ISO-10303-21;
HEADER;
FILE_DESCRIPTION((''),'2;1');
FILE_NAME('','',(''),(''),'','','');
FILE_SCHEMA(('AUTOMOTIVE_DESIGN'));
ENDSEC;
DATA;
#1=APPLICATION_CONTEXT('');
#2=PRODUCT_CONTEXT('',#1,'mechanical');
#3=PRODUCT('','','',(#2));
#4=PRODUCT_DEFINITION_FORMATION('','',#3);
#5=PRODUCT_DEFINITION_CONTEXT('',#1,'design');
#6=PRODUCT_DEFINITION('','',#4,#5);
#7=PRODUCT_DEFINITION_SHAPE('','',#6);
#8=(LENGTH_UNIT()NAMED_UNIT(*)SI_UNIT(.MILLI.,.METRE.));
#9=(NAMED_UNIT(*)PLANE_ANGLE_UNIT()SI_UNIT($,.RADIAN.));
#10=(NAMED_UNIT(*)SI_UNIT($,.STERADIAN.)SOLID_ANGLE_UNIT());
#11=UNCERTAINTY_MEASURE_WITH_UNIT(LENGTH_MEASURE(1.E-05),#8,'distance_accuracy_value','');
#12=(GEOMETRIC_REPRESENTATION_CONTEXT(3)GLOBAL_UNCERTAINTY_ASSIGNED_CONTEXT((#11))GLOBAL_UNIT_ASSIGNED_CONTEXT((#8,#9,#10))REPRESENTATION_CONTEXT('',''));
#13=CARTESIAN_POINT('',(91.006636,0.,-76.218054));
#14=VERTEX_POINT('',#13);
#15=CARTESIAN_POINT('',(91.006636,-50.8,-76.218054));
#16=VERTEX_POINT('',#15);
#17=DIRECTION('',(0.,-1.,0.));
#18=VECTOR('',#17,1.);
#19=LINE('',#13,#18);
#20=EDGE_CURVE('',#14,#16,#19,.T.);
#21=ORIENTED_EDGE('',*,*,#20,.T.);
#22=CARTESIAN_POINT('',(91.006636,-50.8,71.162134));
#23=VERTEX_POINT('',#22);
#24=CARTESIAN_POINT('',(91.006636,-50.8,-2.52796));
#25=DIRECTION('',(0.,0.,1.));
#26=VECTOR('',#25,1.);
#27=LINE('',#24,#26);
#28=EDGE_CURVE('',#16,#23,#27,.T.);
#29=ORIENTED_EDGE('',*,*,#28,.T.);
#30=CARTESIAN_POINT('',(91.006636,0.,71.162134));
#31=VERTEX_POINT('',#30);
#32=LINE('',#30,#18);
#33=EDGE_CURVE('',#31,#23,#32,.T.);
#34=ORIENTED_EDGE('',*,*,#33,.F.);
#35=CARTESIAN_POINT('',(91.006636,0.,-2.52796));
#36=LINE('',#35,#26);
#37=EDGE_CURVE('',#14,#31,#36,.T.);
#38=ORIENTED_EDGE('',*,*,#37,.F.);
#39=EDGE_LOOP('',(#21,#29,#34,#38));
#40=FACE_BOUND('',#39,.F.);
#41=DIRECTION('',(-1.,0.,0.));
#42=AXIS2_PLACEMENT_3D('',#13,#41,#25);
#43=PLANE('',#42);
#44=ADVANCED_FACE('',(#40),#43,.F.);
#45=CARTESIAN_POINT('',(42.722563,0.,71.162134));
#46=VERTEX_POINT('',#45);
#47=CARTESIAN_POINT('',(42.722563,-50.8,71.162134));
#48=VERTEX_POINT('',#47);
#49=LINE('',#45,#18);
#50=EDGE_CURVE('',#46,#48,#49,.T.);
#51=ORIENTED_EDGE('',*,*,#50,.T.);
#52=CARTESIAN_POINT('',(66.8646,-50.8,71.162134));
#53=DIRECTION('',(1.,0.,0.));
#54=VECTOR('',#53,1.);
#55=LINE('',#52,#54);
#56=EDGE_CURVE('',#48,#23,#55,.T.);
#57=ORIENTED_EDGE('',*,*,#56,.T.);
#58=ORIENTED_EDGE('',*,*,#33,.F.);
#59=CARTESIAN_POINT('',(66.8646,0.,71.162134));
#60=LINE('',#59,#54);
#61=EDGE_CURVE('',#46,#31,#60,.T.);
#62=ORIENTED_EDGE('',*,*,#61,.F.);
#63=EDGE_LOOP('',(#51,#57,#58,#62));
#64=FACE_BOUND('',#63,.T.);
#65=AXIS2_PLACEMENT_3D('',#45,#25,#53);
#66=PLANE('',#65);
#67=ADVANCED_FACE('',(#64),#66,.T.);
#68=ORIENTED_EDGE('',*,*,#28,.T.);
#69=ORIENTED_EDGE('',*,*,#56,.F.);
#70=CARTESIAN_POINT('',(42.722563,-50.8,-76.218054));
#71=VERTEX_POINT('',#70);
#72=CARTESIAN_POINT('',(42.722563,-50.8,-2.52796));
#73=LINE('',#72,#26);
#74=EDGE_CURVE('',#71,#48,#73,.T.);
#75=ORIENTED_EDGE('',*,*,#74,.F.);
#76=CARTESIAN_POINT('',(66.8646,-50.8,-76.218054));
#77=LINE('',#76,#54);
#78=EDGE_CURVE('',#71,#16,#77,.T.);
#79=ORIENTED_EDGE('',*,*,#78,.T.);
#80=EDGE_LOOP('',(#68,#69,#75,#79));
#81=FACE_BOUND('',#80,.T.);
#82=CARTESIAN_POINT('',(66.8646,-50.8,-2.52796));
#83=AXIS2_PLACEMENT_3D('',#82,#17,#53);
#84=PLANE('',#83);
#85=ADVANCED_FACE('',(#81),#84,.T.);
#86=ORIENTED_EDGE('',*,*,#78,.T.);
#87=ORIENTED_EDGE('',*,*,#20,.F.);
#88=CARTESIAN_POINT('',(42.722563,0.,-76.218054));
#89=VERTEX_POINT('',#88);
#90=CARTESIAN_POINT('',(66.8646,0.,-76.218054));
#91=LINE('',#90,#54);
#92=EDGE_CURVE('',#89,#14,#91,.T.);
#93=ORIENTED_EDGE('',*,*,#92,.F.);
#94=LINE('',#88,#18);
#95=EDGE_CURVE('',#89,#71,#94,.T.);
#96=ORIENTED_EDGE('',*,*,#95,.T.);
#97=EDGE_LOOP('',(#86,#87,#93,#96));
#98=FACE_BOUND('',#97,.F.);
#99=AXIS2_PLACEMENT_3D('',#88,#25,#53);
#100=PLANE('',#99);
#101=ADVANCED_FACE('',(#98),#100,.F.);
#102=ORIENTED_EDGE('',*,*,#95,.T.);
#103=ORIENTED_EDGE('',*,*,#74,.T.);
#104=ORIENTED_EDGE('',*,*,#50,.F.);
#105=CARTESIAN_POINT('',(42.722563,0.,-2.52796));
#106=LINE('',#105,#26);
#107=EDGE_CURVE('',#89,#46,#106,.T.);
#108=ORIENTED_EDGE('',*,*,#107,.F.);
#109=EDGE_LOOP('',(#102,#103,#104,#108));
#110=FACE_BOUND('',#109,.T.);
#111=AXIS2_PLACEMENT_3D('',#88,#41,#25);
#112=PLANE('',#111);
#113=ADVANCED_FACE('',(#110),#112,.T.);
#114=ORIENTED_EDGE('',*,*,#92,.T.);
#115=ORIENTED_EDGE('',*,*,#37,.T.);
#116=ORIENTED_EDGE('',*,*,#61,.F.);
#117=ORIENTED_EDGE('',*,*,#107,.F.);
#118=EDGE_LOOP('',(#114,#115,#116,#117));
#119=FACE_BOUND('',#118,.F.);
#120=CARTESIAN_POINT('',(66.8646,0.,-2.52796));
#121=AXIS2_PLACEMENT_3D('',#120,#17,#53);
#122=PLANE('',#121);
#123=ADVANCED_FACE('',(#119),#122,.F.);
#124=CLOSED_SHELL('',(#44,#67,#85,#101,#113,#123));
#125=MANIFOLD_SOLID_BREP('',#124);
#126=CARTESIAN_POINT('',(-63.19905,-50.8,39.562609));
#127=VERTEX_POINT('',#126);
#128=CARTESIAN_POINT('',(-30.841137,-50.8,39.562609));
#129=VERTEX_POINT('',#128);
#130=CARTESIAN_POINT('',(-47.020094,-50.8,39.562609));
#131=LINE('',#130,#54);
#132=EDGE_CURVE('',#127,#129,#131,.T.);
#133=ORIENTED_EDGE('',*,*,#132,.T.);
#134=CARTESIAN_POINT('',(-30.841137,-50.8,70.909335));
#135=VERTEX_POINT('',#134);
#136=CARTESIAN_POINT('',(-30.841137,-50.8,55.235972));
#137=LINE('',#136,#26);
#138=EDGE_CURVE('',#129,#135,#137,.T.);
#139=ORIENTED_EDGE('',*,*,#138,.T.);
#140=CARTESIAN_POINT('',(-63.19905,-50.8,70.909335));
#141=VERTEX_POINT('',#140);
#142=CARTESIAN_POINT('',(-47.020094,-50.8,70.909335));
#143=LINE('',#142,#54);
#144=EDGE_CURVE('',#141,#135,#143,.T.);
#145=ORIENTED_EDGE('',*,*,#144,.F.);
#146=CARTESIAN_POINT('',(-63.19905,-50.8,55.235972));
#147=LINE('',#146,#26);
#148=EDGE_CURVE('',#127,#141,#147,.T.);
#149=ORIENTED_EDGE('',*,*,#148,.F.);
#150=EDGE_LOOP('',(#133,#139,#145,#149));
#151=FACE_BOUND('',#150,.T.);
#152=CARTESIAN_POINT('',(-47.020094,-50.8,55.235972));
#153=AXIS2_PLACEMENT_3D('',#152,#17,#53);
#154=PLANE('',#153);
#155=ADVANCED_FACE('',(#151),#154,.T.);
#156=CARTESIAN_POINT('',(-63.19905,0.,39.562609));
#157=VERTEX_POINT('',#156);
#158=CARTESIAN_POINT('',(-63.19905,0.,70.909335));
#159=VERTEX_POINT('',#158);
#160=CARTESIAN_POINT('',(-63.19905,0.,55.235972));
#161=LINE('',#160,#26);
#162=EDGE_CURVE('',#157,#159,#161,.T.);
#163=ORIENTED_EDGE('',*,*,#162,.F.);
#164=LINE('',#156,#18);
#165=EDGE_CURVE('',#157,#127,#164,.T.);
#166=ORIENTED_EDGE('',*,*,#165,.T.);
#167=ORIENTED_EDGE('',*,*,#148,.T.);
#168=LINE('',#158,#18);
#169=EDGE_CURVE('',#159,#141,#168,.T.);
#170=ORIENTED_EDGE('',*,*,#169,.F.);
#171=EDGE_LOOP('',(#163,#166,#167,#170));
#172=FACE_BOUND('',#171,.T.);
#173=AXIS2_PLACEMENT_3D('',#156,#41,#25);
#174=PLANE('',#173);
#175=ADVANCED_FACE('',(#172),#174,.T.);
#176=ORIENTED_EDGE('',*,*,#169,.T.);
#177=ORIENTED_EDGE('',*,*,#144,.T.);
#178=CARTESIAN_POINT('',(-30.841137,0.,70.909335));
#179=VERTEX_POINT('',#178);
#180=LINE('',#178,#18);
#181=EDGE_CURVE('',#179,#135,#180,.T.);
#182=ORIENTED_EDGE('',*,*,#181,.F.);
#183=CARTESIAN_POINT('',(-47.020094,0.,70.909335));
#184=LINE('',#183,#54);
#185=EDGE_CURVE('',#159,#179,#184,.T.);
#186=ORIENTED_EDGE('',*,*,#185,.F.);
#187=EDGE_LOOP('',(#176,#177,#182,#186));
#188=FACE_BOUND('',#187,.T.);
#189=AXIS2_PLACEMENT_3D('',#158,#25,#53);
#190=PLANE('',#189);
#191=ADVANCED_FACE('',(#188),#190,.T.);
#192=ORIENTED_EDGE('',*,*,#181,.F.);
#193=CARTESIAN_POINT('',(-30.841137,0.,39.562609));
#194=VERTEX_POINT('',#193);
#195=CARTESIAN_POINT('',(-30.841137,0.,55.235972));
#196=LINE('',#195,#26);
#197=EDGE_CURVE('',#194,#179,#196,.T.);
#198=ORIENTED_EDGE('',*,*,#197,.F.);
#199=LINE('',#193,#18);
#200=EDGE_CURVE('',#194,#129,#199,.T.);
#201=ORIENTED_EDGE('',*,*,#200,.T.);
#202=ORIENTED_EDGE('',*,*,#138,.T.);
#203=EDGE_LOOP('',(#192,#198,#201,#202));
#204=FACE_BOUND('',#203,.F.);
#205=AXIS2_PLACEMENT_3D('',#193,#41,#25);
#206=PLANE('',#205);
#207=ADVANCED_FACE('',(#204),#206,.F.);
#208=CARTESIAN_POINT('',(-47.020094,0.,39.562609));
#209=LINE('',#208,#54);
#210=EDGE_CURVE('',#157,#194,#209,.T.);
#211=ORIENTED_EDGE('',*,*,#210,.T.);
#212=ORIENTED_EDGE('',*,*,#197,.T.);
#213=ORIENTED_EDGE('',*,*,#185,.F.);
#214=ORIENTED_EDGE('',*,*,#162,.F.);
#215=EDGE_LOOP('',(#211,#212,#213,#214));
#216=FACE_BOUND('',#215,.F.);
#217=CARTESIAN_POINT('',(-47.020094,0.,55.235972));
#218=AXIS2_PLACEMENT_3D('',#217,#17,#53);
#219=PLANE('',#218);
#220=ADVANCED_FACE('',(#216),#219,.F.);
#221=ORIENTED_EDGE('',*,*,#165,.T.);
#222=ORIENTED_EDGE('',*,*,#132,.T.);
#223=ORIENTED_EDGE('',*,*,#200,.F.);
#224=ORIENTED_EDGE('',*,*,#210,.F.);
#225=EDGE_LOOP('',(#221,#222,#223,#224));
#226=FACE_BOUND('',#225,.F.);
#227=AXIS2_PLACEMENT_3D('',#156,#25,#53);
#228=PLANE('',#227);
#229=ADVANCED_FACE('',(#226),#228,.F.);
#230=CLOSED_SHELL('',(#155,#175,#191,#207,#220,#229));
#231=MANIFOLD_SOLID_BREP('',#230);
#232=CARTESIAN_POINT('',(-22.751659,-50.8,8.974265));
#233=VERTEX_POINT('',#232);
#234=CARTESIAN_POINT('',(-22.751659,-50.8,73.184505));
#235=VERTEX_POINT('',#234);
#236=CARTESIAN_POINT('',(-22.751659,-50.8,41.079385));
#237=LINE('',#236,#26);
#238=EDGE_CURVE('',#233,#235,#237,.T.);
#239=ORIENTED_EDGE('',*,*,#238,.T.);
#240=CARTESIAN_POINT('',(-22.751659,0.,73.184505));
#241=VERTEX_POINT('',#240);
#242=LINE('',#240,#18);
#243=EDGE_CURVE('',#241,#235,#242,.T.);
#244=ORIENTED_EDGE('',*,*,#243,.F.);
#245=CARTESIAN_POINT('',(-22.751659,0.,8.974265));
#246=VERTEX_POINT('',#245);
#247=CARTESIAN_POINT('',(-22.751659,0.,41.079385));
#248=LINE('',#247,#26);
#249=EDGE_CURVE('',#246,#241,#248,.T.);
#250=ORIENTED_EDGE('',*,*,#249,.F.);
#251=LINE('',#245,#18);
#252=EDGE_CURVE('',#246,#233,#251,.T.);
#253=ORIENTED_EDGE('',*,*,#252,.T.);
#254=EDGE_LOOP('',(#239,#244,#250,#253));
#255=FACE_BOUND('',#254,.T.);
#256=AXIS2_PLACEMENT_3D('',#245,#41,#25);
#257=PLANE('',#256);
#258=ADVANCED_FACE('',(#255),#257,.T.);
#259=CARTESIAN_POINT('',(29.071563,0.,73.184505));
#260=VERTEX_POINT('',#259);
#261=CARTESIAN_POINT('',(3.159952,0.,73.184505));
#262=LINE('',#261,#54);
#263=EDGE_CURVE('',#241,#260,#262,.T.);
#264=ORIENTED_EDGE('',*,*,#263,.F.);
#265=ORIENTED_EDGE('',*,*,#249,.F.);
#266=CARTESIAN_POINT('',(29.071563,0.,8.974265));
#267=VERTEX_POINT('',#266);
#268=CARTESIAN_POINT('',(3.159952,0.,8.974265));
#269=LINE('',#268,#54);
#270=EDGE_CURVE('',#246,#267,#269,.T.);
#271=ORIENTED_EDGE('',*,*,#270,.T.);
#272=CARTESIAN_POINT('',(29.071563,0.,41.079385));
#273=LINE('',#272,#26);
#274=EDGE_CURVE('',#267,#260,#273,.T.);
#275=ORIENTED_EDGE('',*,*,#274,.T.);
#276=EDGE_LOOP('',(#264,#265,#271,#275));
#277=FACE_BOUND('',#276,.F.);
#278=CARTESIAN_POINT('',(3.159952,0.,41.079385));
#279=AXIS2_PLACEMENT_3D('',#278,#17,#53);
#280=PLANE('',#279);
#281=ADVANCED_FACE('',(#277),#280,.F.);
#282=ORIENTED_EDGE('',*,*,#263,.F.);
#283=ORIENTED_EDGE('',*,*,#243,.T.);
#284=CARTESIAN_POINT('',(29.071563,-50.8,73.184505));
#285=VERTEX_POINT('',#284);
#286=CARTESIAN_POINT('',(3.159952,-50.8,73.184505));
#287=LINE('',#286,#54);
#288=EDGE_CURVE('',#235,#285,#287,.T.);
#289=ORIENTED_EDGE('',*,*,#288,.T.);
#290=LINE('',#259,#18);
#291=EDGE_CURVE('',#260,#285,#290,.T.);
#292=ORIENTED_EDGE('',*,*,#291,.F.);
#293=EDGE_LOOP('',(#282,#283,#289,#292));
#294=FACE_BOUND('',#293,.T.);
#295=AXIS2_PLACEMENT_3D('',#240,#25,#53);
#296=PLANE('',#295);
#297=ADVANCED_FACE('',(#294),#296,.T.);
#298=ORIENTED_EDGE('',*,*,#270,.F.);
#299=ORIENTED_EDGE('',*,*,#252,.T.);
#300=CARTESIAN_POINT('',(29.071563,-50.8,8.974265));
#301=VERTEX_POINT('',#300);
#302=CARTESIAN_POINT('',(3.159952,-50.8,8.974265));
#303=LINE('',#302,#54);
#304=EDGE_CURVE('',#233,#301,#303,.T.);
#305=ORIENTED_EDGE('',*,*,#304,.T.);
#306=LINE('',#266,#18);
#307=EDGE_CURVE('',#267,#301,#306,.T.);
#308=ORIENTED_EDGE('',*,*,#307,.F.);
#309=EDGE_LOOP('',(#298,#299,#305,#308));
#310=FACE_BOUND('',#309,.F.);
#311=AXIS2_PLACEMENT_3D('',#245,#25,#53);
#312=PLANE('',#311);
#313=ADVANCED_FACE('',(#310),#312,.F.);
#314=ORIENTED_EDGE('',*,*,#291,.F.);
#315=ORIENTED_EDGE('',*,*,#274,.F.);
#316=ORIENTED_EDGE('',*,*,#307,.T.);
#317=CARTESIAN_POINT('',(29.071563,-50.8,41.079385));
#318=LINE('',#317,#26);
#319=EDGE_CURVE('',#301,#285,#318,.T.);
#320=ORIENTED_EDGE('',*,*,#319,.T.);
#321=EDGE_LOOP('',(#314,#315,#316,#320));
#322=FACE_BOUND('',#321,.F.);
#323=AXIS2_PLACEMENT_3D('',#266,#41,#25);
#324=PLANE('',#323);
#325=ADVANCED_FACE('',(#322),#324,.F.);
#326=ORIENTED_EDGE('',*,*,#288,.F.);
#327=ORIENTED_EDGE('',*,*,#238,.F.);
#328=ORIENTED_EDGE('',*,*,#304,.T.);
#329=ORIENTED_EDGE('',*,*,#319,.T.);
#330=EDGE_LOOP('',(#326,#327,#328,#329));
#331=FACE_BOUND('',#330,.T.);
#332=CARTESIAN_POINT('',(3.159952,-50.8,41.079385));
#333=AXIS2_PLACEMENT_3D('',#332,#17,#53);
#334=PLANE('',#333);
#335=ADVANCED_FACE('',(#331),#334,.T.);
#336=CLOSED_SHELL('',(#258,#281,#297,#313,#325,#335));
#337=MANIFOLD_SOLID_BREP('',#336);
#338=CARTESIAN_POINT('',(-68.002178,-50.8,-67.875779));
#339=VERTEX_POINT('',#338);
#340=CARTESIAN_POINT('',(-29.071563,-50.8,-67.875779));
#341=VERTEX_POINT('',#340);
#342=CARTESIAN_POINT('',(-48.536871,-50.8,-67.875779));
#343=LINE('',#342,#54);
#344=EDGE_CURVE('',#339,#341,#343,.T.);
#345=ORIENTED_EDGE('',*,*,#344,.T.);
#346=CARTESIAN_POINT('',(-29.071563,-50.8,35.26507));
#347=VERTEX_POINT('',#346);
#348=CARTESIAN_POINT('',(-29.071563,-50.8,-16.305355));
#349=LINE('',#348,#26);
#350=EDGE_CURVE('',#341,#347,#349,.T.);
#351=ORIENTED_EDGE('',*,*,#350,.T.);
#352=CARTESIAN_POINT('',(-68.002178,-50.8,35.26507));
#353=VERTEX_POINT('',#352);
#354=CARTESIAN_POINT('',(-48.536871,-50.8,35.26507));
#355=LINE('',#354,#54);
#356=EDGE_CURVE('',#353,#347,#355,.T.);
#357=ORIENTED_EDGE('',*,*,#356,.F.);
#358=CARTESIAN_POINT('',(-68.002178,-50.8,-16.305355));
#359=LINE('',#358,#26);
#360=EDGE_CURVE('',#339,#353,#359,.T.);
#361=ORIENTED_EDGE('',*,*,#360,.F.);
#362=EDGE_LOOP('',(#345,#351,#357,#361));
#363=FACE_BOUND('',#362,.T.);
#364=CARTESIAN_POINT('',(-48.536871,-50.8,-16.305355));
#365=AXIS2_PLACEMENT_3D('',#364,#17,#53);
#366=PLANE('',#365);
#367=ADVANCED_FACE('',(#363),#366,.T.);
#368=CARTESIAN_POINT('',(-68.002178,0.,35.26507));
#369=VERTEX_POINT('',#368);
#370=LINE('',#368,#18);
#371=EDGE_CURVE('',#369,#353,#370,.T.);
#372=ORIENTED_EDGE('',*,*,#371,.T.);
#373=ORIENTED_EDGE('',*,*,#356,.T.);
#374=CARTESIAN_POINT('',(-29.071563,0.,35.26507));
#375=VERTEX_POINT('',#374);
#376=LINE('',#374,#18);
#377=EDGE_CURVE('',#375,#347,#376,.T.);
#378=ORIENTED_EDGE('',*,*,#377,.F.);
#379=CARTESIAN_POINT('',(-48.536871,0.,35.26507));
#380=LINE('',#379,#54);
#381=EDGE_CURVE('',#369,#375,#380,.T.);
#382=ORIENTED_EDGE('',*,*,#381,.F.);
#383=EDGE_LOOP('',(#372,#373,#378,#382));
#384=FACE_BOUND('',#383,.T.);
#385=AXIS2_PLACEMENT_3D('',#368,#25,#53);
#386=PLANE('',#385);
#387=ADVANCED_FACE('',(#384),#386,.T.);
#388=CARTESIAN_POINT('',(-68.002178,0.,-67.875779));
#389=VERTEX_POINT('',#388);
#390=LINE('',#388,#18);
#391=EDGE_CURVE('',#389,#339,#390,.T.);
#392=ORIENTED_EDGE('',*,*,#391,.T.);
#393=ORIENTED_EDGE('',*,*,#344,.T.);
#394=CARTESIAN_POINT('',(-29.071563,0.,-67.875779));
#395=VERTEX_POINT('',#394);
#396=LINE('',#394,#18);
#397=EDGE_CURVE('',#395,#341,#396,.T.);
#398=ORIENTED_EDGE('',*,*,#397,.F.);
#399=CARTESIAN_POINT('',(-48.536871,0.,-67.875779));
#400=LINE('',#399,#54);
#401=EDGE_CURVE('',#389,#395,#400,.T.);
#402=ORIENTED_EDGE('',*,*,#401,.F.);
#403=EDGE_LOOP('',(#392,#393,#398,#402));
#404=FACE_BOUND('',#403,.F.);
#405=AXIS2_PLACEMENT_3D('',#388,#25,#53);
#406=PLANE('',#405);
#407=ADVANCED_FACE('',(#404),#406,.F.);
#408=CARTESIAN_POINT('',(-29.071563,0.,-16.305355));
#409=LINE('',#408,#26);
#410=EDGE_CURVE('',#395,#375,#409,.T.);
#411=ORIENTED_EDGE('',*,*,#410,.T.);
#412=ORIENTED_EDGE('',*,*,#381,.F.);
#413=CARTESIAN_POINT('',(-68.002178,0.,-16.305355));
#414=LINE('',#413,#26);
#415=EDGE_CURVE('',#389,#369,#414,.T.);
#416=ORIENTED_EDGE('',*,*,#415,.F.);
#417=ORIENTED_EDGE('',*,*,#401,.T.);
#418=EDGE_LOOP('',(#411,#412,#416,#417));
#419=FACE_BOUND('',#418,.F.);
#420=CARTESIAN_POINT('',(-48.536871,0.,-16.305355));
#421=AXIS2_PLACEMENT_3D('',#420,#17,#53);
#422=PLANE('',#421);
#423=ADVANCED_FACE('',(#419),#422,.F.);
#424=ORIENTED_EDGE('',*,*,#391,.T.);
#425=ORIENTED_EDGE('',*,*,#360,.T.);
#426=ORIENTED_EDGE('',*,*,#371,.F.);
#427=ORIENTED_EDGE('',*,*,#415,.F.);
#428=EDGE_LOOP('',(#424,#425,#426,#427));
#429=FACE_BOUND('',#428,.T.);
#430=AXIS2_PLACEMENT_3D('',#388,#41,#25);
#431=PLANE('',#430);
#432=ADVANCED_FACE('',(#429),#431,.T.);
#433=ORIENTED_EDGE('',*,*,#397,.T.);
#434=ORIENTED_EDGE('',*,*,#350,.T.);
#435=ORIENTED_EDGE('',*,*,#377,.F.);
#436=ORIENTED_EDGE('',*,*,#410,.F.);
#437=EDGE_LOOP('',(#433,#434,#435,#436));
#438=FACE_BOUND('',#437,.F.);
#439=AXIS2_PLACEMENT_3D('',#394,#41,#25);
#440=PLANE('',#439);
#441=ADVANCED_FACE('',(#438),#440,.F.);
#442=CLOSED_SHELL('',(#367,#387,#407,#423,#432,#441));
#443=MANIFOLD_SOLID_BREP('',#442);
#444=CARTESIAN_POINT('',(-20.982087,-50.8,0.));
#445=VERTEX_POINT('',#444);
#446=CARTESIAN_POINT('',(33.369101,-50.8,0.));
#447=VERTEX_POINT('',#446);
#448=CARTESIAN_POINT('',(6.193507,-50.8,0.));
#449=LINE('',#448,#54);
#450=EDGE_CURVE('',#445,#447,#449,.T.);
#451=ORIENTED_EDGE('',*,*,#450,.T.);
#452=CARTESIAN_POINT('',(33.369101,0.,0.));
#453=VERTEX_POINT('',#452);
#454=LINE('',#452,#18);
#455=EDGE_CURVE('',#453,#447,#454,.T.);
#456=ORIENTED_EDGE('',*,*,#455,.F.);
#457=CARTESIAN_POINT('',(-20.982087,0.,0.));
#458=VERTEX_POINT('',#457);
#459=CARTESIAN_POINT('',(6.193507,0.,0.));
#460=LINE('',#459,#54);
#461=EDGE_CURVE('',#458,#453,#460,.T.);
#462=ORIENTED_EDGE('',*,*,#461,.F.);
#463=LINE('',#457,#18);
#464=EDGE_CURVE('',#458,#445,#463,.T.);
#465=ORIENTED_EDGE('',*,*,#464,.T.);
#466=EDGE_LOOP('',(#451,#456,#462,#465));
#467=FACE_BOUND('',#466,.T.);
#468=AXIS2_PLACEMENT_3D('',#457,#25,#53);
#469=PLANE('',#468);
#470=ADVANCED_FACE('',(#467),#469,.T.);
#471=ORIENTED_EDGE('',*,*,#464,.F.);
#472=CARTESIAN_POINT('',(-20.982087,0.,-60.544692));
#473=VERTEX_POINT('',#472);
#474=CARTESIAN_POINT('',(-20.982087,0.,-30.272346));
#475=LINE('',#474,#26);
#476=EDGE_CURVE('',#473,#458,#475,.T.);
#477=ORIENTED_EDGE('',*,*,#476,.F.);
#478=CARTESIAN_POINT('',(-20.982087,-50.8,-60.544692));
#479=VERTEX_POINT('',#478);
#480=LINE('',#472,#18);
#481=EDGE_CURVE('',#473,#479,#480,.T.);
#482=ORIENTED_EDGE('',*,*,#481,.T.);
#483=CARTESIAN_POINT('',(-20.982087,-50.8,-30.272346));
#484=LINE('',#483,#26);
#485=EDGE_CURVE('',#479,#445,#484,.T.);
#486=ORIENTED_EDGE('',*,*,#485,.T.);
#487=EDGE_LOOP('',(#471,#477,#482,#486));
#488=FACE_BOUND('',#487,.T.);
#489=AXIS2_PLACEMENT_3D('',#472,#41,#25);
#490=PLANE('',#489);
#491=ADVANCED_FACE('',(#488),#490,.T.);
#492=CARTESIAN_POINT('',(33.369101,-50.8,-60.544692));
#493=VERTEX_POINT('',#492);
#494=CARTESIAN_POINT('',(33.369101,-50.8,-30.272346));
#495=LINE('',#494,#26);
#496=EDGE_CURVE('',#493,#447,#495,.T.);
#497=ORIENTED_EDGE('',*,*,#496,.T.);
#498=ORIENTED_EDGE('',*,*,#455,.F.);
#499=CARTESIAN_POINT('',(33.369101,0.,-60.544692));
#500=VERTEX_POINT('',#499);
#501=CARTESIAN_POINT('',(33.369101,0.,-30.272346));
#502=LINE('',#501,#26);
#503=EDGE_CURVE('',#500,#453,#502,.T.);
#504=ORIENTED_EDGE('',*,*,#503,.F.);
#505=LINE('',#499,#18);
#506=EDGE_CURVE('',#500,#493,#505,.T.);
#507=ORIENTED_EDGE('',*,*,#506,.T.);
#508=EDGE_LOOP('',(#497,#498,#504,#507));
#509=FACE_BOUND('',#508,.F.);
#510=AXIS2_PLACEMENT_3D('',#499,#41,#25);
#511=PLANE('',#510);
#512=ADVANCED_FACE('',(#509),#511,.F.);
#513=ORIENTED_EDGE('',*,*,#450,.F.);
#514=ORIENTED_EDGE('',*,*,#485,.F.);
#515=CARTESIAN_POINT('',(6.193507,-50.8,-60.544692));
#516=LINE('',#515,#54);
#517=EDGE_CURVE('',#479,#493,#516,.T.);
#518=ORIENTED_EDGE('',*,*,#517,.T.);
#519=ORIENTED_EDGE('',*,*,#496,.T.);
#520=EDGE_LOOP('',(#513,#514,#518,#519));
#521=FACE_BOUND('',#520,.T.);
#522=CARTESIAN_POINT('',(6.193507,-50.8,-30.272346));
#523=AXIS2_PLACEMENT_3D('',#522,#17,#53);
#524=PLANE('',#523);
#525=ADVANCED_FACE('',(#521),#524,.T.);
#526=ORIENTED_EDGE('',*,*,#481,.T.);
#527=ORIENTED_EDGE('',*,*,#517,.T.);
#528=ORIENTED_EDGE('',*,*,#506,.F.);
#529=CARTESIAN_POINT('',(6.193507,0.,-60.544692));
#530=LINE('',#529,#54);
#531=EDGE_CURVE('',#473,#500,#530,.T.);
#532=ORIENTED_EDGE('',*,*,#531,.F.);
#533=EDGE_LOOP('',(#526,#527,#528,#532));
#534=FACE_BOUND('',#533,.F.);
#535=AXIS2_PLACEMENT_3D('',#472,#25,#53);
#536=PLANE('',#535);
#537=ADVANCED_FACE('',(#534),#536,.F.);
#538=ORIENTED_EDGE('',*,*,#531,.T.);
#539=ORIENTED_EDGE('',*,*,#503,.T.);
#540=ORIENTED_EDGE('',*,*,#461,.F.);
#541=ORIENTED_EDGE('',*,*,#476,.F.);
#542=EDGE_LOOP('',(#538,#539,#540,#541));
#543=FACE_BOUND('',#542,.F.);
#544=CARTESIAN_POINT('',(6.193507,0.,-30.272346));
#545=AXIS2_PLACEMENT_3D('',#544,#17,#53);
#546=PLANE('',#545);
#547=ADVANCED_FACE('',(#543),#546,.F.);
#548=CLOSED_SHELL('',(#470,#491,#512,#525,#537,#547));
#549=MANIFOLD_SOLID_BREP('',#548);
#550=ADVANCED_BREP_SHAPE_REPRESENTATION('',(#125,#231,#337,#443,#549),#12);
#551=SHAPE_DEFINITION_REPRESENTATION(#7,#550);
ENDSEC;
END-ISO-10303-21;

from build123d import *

# Parameters (mm, degrees)
F0_W     = 51.823223
F0_H     = 64.21024
F0_W_2   = 38.930615
F0_H_2   = 103.140849
F0_W_3   = 54.351189
F0_H_3   = 60.544692
F0_W_4   = 48.284073
F0_H_4   = 147.380188
F0_W_5   = 32.357913
F0_H_5   = 31.346727
F1_DEPTH = 50.8


with BuildPart() as f1:
    # F0 (on Front) → F1 (new body)
    with BuildSketch(Plane.XZ):
        with Locations((3.159952, 41.079385)):
            Rectangle(F0_W, F0_H)
        with Locations((-48.536871, -16.305355)):
            Rectangle(F0_W_2, F0_H_2)
        with Locations((6.193507, -30.272346)):
            Rectangle(F0_W_3, F0_H_3)
        with Locations((66.8646, -2.52796)):
            Rectangle(F0_W_4, F0_H_4)
        with Locations((-47.020094, 55.235972)):
            Rectangle(F0_W_5, F0_H_5)
    extrude(amount=F1_DEPTH)


solid = f1.part
